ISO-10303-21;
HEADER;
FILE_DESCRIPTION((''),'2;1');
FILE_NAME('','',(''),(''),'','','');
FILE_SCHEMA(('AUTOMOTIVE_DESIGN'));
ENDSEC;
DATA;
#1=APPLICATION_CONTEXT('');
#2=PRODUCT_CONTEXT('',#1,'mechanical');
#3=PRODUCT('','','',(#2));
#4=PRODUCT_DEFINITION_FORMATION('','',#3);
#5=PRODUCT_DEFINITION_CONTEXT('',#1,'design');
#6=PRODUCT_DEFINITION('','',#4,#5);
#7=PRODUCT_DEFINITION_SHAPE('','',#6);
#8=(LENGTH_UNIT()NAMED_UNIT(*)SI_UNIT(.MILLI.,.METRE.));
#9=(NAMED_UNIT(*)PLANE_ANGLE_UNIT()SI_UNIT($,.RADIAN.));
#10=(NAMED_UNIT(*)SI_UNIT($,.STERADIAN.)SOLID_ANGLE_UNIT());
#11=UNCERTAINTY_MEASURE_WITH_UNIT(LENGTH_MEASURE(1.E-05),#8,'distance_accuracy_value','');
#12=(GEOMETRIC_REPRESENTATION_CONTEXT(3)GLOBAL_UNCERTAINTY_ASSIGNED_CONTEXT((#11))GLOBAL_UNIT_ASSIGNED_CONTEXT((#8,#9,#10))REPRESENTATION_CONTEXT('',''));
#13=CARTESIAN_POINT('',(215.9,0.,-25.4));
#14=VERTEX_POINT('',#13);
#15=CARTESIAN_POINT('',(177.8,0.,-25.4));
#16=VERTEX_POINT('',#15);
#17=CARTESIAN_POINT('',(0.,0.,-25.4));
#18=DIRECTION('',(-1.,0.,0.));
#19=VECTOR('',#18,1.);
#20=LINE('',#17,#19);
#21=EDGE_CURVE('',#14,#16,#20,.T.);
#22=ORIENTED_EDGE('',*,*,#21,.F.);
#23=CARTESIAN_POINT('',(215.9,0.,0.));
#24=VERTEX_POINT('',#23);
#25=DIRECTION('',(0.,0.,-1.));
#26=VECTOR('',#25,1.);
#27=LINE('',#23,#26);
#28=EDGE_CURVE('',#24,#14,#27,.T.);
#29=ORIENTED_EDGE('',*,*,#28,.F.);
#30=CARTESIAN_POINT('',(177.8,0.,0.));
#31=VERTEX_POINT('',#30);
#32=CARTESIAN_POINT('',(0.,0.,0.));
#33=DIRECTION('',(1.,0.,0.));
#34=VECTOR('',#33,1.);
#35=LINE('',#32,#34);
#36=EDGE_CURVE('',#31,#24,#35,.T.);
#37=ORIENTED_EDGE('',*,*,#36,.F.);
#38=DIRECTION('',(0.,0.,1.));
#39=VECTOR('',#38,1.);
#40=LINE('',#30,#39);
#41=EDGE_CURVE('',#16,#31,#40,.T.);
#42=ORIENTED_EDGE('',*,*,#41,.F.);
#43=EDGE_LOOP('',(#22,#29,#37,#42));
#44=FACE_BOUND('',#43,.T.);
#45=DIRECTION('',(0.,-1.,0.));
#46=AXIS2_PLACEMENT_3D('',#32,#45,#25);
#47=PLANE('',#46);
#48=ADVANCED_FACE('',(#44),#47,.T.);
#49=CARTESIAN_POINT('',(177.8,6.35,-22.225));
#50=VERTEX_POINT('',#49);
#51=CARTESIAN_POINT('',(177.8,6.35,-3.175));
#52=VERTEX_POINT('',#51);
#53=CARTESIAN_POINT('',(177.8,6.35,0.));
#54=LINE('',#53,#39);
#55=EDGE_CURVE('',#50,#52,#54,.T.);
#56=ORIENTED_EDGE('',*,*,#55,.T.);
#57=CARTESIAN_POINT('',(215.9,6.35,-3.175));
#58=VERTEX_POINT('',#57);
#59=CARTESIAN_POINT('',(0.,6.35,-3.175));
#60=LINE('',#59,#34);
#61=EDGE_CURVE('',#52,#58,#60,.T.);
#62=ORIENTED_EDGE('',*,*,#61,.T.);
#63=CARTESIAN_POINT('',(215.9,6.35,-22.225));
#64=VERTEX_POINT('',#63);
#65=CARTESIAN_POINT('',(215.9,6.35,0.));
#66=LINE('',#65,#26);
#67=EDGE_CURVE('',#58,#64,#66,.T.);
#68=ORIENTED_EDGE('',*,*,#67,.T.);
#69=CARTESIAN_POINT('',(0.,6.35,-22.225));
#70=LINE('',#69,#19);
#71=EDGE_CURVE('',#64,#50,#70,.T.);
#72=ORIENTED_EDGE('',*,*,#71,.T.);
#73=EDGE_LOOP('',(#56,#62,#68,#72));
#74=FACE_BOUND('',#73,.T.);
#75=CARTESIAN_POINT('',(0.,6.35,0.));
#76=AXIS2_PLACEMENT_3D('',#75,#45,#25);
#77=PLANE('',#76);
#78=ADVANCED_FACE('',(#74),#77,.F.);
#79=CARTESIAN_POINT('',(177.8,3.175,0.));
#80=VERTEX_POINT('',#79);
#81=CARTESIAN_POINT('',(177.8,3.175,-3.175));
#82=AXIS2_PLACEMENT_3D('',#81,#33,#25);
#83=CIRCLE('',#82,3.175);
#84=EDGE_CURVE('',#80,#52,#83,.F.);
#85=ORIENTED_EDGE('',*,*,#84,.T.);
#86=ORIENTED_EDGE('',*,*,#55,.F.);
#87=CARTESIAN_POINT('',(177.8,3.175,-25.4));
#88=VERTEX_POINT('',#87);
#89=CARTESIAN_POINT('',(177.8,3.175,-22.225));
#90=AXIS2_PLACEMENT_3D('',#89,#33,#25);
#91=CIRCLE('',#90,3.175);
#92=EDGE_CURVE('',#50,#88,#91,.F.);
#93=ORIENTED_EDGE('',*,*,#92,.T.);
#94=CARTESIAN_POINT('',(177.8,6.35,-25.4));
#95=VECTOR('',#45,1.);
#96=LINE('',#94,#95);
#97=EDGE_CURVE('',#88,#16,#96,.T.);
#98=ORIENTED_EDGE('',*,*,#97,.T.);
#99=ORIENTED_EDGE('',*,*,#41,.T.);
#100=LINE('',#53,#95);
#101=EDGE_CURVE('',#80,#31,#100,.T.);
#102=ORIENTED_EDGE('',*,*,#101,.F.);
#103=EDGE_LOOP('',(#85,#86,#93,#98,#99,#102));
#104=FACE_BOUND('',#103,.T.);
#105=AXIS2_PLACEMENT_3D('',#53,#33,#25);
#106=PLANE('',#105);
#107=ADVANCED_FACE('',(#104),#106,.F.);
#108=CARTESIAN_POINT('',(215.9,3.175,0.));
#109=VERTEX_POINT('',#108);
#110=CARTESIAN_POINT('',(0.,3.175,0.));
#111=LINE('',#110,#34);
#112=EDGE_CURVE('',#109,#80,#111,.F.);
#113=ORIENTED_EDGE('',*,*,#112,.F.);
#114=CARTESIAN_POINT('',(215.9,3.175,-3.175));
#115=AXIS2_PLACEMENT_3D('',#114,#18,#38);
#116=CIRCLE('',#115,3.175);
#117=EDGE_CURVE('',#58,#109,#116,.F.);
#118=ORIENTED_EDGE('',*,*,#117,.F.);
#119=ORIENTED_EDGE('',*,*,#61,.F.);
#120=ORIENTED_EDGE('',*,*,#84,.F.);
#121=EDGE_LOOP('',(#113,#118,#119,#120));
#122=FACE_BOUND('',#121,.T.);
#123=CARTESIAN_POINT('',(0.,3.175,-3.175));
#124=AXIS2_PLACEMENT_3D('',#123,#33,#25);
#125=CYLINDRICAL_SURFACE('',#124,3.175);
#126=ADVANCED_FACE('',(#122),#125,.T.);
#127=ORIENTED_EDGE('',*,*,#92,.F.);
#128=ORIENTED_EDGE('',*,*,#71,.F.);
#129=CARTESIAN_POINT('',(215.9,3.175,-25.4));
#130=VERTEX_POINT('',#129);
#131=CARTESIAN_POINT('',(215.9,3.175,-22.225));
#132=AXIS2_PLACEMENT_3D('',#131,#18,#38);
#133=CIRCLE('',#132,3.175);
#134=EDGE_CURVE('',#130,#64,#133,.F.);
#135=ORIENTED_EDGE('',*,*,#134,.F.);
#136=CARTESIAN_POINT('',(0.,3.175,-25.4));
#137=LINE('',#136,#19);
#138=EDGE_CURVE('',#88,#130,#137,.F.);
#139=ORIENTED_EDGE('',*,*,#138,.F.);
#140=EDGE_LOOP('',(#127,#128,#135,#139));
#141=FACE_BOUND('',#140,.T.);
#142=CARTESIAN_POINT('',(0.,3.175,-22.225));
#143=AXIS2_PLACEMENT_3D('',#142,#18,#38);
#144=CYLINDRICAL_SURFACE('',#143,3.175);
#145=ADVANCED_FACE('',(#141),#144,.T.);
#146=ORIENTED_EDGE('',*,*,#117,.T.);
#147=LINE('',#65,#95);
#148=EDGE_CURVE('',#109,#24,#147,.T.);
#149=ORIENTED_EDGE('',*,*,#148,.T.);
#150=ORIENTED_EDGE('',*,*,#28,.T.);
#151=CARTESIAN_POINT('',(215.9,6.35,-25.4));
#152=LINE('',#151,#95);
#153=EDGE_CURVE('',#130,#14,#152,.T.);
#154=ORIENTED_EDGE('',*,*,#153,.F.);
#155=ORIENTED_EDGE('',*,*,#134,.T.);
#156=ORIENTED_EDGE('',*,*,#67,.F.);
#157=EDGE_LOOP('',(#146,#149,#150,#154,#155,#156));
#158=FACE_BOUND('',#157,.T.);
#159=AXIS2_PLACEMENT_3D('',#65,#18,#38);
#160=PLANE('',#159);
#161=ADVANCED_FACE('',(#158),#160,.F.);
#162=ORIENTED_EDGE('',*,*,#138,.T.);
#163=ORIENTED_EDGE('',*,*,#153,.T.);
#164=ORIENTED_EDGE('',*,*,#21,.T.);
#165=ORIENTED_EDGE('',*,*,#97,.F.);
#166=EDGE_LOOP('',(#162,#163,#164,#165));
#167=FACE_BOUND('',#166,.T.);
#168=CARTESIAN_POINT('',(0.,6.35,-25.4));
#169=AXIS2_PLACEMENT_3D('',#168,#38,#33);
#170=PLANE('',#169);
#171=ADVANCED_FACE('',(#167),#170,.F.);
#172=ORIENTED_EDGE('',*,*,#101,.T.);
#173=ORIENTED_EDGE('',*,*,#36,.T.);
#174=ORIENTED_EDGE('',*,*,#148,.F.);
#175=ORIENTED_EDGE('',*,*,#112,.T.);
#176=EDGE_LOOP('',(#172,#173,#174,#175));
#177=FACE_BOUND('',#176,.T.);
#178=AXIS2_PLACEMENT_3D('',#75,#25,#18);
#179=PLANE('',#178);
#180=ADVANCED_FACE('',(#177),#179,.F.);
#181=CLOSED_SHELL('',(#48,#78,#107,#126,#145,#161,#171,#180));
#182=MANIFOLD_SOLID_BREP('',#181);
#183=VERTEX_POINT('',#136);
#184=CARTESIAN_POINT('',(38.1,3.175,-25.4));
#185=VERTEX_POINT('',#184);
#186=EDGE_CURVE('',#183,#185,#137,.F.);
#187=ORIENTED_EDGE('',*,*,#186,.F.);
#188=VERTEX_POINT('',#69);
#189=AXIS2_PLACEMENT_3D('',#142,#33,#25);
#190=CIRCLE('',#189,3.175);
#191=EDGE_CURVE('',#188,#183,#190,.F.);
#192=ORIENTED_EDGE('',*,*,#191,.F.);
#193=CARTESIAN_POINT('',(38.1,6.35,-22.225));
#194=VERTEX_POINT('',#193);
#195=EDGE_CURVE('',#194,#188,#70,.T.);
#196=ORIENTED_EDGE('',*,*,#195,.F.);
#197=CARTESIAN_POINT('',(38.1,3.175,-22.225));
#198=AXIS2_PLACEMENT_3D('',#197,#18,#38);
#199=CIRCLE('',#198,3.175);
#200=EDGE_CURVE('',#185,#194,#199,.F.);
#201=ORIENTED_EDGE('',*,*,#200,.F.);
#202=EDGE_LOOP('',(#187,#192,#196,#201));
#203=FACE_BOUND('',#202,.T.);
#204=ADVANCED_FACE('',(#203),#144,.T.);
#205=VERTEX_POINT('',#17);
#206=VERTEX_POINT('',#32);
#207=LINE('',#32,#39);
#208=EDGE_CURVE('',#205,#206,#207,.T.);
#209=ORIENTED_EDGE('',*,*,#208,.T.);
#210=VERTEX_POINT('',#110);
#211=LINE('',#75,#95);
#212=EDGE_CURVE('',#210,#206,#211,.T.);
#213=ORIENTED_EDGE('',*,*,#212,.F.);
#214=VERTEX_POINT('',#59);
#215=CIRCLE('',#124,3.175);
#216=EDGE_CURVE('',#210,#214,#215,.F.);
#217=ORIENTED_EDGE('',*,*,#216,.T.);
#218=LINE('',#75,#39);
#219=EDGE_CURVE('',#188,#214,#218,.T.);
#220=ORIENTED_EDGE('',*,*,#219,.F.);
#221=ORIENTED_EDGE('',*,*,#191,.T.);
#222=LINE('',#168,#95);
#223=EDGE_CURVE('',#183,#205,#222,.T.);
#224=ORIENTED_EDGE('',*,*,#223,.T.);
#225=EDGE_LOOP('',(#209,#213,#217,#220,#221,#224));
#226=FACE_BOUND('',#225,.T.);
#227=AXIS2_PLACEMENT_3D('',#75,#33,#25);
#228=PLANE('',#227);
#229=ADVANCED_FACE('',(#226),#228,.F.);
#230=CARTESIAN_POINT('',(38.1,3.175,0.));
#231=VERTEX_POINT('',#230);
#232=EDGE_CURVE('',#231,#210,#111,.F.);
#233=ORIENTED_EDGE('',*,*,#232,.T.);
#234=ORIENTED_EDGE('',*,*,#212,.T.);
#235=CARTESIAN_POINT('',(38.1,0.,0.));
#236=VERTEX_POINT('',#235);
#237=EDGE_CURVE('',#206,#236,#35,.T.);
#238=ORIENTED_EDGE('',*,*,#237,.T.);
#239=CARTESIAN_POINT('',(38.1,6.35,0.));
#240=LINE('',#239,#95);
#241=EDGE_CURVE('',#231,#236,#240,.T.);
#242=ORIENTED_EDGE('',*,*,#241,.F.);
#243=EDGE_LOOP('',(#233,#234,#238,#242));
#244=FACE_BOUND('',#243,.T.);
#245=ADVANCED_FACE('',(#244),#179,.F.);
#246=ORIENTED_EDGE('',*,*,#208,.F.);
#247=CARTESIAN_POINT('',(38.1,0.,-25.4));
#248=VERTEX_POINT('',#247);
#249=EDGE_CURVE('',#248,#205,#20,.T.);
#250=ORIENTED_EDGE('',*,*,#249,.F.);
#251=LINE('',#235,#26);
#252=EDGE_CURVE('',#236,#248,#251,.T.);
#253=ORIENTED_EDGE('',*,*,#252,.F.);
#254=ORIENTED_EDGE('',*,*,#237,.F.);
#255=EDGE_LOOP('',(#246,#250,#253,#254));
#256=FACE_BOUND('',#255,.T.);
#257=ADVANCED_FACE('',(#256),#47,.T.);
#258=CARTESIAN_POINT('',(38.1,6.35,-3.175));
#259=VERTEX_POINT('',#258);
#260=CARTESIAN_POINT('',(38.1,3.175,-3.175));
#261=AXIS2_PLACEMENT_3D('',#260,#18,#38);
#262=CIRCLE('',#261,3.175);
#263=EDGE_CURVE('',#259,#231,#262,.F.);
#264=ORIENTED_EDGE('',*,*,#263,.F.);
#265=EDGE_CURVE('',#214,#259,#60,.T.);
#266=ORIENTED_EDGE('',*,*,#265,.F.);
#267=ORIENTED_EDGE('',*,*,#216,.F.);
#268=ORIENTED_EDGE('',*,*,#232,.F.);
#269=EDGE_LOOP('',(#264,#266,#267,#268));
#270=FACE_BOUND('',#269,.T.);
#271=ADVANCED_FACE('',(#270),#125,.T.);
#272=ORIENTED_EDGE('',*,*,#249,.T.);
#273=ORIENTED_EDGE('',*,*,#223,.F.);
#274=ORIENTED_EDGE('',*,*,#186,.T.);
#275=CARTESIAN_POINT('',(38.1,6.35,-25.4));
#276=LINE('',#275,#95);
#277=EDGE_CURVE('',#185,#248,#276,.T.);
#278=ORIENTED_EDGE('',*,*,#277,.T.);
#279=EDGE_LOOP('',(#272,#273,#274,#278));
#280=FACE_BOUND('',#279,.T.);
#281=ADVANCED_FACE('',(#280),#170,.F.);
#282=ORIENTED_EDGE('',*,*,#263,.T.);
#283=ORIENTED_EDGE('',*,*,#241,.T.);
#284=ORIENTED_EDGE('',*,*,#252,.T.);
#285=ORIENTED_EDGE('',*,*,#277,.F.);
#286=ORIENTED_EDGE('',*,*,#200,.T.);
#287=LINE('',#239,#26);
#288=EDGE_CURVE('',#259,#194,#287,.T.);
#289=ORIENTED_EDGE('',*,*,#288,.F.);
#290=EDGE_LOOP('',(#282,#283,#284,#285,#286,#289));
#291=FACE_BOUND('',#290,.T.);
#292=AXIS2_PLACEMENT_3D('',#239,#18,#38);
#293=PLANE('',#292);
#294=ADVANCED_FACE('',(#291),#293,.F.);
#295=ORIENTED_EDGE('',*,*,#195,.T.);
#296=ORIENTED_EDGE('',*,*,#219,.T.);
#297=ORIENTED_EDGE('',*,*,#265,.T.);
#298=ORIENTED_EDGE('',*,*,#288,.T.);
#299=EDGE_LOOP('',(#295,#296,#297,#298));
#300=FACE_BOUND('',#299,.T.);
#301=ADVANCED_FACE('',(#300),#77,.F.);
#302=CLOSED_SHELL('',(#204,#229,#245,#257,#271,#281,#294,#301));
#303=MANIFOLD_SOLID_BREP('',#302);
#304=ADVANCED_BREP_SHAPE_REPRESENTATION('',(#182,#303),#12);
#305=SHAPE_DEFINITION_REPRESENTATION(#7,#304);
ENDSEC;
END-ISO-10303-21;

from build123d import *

# Parameters (mm, degrees)
SKETCH1_W           = 215.9
SKETCH1_H           = 25.4
BOSS_EXTRUDE1_DEPTH = 6.35
FILLET1_R           = 3.175
SKETCH2_W           = 139.7
SKETCH2_H           = 25.4
CUT_EXTRUDE1_DEPTH  = 7.35


with BuildPart() as part:
    # Sketch1 → Boss-Extrude1 (new body)
    with BuildSketch(Plane(origin=(0, 0, 0), x_dir=(1, 0, 0), z_dir=(0, 1, 0))):
        with Locations((107.95, 12.7)):
            Rectangle(SKETCH1_W, SKETCH1_H)
    extrude(amount=BOSS_EXTRUDE1_DEPTH)

    # Fillet1
    fillet1_edges = [part.edges().sort_by_distance(p)[0] for p in [
        (107.95, 6.35, -25.4),
        (107.95, 6.35, 0),
    ]]
    fillet(fillet1_edges, radius=FILLET1_R)

    # Sketch2 → Cut-Extrude1 (cut, through all)
    with BuildSketch(Plane.XZ):
        with Locations((107.95, -12.7)):
            Rectangle(SKETCH2_W, SKETCH2_H)
    extrude(amount=-CUT_EXTRUDE1_DEPTH, mode=Mode.SUBTRACT)


solid = part.part
